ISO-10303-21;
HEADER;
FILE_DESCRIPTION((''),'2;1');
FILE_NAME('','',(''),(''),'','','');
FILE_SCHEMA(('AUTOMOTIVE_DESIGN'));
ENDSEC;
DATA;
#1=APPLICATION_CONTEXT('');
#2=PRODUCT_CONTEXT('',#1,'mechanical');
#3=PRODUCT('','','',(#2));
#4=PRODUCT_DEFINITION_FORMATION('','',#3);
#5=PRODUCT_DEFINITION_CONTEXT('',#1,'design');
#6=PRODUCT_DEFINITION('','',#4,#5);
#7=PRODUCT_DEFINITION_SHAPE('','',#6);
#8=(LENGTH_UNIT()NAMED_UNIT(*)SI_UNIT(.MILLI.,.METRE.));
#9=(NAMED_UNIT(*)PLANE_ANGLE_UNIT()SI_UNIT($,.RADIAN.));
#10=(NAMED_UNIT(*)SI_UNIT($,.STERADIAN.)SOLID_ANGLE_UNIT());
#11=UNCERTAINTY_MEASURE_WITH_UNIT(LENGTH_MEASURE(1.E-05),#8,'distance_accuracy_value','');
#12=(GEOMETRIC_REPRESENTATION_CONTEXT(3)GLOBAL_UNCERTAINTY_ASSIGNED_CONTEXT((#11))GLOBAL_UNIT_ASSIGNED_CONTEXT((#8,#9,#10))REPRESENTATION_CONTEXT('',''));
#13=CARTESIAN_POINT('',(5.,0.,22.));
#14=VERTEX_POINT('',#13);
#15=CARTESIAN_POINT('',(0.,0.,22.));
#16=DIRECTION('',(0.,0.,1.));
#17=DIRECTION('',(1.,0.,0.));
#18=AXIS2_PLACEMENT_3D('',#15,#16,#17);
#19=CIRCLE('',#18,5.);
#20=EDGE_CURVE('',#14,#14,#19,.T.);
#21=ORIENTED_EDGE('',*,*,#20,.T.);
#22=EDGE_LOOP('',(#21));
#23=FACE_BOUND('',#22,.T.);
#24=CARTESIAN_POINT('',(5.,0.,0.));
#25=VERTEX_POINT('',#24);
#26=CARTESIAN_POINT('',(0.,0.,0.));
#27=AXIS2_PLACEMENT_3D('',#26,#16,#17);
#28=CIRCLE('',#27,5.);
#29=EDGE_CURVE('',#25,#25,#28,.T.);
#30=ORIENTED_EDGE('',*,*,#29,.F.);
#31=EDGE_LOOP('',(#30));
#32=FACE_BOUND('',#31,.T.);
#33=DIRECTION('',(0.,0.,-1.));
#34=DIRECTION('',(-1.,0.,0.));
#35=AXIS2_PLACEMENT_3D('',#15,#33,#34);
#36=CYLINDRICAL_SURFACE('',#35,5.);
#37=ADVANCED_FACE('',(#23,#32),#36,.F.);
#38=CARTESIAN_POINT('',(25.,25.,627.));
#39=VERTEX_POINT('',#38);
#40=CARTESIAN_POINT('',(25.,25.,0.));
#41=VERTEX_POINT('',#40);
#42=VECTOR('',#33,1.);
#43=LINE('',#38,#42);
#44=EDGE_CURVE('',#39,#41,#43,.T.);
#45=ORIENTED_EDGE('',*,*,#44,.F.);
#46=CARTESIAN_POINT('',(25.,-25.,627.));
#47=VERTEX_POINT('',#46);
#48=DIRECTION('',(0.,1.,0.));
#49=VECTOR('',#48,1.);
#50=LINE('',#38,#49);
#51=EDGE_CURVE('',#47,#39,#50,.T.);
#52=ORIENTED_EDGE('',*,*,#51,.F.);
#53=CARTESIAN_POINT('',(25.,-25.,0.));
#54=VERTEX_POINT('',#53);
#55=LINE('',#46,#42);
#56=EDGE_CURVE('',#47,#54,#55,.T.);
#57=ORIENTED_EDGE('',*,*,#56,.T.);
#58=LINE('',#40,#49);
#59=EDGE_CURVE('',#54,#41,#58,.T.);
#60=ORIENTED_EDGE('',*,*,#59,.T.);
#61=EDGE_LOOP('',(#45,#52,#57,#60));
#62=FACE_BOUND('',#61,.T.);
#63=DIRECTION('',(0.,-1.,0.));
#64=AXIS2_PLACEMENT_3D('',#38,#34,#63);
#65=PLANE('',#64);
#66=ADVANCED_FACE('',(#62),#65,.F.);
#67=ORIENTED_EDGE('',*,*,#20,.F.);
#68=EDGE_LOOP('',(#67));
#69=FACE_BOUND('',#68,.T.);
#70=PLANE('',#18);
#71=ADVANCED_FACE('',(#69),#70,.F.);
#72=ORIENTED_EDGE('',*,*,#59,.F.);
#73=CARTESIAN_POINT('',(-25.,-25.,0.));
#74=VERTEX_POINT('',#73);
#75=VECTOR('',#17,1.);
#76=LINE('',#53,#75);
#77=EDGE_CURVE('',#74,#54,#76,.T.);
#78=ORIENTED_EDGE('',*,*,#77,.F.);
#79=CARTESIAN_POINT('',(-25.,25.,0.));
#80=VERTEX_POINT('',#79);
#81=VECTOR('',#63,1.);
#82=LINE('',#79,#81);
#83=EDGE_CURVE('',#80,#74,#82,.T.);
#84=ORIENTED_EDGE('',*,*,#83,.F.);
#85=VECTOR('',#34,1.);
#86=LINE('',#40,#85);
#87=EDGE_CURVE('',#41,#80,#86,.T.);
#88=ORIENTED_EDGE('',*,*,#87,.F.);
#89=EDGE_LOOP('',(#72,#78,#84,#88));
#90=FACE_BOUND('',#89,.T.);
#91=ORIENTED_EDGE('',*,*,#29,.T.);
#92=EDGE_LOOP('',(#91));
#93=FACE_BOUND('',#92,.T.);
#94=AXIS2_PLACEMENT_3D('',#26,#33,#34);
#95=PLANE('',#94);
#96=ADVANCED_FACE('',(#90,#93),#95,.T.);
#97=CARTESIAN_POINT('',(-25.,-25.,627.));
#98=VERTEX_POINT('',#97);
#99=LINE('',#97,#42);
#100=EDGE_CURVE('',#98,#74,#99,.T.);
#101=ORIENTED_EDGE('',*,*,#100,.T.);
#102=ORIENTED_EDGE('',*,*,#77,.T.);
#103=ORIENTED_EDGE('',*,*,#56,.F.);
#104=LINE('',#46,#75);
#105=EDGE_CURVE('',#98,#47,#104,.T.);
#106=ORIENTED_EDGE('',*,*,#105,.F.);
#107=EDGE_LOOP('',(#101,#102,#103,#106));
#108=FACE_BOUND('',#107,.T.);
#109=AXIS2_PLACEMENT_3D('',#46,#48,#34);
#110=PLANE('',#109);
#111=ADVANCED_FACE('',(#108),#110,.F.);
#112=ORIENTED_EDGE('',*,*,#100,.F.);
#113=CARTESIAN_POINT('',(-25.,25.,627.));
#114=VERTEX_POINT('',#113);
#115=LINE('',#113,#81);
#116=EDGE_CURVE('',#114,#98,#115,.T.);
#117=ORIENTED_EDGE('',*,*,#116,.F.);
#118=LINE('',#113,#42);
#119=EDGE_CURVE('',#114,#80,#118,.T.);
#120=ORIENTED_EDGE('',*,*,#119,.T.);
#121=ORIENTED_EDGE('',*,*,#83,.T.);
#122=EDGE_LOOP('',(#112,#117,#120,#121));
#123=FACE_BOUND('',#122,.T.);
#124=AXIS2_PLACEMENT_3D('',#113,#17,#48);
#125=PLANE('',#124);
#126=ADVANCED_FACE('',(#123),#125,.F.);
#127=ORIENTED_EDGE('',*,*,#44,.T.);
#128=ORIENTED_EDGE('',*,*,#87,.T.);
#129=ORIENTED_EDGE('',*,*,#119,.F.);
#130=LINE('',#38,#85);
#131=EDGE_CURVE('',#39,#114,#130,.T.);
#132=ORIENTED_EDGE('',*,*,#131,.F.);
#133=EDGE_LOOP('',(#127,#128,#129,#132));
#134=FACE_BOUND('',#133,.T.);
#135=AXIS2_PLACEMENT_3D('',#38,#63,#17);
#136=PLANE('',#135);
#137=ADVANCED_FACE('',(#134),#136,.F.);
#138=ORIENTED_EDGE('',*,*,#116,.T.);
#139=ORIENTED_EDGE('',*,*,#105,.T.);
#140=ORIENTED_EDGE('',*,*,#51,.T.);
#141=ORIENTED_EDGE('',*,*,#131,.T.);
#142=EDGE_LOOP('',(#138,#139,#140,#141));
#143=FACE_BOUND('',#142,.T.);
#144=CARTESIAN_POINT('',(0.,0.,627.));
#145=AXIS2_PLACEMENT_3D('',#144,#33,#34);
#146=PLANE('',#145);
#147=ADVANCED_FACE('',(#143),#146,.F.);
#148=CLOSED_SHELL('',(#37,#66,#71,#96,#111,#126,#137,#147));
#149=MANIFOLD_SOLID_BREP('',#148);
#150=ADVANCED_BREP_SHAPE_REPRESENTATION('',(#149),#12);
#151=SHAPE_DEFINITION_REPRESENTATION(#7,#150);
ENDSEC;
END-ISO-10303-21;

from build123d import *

# Parameters (mm, degrees)
SKETCH1_W           = 50
SKETCH1_H           = 50
BOSS_EXTRUDE1_DEPTH = 627
SKETCH2_R           = 5
CUT_EXTRUDE3_DEPTH  = 22


with BuildPart() as part:
    # Sketch1 → Boss-Extrude1 (new body)
    with BuildSketch(Plane.XY):
        Rectangle(SKETCH1_W, SKETCH1_H)
    extrude(amount=BOSS_EXTRUDE1_DEPTH)

    # Sketch2 → Cut-Extrude3 (cut)
    with BuildSketch(Plane.XY):
        Circle(SKETCH2_R)
    extrude(amount=CUT_EXTRUDE3_DEPTH, mode=Mode.SUBTRACT)


solid = part.part
